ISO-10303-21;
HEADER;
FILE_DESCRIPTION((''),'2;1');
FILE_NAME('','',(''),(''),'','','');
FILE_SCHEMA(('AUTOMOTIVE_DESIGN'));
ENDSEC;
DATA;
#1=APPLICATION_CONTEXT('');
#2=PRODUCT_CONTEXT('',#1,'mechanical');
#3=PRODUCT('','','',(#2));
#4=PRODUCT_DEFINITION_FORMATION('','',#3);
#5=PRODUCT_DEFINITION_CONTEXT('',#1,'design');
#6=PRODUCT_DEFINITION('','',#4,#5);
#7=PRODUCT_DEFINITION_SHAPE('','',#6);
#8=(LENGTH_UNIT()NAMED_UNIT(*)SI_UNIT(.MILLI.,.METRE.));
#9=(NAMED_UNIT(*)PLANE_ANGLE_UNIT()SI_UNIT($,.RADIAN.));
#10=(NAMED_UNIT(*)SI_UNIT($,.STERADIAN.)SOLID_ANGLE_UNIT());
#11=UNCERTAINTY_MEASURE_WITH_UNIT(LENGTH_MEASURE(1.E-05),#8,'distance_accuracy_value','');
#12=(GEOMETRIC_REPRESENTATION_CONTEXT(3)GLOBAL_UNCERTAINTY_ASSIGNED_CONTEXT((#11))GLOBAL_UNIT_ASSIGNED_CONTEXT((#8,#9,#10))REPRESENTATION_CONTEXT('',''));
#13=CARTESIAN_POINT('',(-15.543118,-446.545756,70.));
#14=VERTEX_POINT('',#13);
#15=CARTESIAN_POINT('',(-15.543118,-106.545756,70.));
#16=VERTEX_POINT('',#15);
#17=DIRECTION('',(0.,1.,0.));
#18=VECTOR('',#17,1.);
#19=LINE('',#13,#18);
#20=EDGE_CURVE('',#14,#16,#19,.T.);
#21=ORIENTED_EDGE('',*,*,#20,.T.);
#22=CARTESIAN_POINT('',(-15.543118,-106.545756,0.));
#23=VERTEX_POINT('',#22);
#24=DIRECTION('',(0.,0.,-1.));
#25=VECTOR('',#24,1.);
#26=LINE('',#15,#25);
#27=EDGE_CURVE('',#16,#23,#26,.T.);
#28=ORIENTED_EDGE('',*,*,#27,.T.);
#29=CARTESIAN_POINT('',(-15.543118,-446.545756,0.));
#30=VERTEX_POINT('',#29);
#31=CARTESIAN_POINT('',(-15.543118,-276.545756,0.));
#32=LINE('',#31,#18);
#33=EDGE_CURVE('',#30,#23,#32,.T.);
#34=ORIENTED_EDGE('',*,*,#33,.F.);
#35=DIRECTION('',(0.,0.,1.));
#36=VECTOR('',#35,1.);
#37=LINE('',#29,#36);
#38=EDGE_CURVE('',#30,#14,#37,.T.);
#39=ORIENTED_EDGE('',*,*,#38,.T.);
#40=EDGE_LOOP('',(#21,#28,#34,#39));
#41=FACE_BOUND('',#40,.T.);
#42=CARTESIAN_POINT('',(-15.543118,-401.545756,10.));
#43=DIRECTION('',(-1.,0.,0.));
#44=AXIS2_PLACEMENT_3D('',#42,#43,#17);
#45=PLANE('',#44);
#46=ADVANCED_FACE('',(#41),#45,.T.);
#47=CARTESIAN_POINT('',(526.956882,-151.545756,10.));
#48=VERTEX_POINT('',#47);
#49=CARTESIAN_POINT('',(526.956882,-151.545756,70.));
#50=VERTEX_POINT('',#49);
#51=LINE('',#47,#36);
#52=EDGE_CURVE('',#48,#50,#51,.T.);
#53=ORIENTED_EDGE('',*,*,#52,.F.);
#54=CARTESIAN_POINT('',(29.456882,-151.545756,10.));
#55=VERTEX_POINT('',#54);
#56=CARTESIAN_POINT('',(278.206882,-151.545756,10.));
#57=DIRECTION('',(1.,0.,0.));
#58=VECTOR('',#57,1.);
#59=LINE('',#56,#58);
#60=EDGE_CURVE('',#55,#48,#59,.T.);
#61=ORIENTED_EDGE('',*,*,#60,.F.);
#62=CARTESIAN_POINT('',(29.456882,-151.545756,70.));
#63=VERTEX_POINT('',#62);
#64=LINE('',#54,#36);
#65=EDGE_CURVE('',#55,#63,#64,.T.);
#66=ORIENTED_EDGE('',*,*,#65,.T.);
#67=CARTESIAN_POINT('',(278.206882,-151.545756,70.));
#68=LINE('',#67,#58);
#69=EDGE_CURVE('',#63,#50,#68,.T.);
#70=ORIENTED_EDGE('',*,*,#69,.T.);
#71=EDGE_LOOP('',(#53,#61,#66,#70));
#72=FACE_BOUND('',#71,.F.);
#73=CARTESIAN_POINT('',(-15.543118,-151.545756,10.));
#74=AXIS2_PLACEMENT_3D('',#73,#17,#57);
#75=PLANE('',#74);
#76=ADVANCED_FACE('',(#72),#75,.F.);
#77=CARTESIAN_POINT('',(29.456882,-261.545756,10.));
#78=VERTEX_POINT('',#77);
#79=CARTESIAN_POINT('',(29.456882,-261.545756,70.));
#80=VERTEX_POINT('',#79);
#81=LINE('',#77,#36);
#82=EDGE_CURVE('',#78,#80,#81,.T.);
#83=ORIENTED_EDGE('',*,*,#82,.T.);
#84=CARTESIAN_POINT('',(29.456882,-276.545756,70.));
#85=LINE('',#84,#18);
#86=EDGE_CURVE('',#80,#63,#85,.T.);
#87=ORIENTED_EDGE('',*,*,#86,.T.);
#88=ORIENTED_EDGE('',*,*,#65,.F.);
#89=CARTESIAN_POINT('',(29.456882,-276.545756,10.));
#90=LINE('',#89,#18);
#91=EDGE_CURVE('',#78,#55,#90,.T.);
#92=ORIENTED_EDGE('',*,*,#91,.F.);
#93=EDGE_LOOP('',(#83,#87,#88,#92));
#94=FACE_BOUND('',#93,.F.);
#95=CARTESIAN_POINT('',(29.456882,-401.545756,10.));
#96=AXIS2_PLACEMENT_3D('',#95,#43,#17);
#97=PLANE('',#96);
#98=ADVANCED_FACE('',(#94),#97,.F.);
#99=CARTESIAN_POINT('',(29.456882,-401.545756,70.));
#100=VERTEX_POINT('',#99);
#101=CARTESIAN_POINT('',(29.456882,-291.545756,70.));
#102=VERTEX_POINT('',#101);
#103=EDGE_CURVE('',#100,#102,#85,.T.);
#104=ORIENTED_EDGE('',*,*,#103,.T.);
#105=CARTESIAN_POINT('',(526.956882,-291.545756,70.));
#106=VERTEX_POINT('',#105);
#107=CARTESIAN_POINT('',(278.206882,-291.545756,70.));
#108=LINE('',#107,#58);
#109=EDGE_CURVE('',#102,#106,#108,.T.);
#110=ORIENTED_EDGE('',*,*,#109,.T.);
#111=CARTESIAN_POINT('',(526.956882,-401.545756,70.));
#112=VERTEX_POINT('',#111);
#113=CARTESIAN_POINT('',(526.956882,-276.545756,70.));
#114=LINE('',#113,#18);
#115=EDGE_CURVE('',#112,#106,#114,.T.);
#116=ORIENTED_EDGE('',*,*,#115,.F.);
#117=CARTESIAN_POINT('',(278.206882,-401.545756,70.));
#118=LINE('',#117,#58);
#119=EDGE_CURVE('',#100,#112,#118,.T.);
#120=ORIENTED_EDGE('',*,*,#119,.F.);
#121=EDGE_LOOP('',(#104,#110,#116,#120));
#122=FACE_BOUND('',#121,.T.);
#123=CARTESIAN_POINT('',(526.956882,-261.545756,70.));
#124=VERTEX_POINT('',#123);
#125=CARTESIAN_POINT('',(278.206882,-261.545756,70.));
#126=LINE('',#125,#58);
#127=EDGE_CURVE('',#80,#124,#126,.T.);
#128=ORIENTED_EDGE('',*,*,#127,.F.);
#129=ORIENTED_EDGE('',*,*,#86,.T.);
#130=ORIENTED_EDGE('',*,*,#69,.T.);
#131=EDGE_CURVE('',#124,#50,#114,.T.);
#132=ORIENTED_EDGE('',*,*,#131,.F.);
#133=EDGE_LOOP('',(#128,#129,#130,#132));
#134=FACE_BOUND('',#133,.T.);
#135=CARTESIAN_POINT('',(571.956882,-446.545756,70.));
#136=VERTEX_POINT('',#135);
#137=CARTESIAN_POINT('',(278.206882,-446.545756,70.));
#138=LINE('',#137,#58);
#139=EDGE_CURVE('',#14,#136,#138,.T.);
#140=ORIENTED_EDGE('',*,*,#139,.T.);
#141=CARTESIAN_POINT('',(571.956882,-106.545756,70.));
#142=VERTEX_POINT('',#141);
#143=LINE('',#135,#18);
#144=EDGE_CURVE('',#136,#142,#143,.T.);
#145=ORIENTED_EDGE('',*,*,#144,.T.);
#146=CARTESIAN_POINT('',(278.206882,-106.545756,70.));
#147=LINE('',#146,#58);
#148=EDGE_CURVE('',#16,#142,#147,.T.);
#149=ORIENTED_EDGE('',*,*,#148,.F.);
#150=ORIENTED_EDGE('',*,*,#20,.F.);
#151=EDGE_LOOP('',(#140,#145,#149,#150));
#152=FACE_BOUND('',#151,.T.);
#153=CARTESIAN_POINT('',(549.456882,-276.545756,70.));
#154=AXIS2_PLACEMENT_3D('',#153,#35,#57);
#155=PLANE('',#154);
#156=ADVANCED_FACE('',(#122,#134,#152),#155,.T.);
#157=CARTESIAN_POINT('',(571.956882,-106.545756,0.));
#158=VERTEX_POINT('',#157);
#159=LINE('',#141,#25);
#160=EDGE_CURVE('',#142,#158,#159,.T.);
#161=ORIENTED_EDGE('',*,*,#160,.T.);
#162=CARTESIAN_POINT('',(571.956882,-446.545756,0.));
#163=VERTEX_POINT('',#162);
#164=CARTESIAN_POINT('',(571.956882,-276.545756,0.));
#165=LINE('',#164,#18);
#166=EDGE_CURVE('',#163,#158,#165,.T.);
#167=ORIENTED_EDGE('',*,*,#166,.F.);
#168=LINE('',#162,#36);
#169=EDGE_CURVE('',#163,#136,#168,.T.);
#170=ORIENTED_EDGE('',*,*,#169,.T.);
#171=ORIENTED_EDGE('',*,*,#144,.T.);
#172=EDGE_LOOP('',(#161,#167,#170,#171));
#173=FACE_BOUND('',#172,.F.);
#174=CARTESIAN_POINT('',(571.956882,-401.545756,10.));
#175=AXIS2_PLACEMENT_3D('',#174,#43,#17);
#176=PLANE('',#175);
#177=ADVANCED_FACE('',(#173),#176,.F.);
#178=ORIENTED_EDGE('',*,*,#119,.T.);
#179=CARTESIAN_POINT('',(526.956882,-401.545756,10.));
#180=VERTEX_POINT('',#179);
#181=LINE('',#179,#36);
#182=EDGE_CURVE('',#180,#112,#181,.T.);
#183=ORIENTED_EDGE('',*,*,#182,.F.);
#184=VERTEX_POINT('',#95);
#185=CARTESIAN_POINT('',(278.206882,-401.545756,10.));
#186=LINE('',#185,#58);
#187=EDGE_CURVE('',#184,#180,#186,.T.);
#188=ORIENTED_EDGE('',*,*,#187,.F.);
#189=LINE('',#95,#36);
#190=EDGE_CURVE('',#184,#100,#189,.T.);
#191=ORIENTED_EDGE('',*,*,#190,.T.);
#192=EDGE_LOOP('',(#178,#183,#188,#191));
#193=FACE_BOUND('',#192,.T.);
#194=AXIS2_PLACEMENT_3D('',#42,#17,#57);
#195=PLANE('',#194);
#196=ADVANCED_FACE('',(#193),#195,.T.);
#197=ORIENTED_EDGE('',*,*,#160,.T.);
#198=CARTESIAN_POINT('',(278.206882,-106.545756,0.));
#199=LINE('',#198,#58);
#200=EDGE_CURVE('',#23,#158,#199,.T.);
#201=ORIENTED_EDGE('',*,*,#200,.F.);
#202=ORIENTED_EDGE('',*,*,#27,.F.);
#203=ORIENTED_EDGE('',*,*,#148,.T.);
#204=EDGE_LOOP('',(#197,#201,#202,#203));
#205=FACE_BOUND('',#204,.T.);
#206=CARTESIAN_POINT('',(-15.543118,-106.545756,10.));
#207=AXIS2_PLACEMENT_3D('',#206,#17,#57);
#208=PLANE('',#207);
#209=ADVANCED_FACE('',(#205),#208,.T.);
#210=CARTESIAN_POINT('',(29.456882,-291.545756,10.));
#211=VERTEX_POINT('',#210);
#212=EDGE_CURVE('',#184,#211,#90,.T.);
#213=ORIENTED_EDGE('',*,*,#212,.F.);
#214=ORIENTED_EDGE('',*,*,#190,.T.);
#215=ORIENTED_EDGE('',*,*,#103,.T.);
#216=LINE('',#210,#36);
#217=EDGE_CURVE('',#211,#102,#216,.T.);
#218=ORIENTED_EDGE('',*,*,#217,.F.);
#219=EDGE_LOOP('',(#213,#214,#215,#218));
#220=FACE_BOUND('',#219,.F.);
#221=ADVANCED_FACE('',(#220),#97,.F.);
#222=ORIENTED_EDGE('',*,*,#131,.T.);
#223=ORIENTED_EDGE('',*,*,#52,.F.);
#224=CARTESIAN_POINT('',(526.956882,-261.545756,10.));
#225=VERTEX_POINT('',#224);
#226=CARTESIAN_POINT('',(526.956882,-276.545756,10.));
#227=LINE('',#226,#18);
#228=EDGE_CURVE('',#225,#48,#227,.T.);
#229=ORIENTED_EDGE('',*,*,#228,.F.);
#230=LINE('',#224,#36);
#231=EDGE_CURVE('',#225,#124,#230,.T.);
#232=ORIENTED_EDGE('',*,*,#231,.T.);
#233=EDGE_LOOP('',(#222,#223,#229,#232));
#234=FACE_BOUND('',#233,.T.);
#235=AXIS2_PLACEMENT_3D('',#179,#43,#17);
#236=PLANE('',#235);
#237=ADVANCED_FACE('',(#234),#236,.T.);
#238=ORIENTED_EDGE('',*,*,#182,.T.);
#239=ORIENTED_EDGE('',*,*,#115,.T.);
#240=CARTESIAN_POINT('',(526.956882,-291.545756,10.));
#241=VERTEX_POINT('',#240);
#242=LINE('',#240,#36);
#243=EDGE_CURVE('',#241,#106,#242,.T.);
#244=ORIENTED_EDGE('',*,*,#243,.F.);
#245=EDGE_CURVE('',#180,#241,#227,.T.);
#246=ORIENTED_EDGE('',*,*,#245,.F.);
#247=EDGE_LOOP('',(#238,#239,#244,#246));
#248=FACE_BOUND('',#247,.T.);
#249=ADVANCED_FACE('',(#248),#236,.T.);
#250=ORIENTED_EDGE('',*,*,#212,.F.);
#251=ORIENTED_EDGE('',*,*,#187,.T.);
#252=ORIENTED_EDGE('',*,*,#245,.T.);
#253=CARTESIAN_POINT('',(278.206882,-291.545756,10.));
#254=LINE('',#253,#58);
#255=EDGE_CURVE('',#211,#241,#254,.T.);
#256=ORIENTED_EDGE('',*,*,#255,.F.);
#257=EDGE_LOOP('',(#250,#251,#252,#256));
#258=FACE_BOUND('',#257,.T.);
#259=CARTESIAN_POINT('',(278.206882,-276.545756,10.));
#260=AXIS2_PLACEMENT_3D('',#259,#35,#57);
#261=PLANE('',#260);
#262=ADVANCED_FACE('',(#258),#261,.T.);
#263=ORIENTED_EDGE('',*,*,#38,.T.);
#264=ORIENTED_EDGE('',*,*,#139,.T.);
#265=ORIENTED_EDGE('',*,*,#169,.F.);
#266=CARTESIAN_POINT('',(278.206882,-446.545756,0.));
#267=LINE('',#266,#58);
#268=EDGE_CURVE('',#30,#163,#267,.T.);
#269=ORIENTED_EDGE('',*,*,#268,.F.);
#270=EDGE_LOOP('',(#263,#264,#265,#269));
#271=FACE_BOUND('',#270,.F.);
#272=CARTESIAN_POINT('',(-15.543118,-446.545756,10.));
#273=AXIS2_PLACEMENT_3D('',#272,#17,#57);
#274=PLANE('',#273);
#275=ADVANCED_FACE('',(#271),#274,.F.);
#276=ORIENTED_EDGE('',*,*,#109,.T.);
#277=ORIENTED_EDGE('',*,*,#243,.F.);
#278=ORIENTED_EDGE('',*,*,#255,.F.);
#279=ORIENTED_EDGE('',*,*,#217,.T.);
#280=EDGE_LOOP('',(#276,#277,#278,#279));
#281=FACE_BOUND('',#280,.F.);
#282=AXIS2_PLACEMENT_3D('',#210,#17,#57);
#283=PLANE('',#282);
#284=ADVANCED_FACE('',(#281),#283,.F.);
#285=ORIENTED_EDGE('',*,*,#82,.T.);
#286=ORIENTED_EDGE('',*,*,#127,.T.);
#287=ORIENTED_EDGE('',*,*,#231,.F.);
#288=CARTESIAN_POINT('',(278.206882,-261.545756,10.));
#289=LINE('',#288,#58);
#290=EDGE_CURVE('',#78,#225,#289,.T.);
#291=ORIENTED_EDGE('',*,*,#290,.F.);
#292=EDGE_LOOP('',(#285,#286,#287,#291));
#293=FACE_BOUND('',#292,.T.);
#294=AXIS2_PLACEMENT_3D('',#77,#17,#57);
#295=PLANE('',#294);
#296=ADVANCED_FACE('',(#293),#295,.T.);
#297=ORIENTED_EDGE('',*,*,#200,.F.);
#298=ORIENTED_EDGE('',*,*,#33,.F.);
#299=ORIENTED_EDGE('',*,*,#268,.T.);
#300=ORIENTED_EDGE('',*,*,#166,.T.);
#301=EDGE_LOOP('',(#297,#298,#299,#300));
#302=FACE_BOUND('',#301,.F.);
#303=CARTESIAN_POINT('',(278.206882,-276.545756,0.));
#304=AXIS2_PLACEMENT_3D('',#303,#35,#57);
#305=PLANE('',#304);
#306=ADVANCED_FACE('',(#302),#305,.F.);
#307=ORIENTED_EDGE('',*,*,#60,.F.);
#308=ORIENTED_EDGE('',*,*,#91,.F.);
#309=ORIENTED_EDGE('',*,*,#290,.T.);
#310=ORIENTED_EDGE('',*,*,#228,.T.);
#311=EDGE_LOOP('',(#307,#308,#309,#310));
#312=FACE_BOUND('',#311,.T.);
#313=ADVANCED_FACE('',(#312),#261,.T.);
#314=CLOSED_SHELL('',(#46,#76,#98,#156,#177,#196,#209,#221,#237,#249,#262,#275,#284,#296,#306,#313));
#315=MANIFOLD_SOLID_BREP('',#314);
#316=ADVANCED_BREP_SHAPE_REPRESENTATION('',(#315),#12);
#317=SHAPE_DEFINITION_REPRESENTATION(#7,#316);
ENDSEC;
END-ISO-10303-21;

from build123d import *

# Parameters (mm, degrees)
SKETCH_W     = 587.5
SKETCH_H     = 340
PAD_DEPTH    = 10
SKETCH001_W  = 587.5
SKETCH001_H  = 45
PAD001_DEPTH = 60
SKETCH002_W  = 587.5
SKETCH002_H  = 45
PAD002_DEPTH = 60
SKETCH003_W  = 45
SKETCH003_H  = 250
PAD003_DEPTH = 60
SKETCH004_W  = 45
SKETCH004_H  = 250
PAD004_DEPTH = 60
SKETCH005_W  = 497.5
SKETCH005_H  = 30
PAD005_DEPTH = 60


with BuildPart() as part:
    # Sketch → Pad (new body)
    with BuildSketch(Plane.XY):
        with Locations((278.206882, -276.545756)):
            Rectangle(SKETCH_W, SKETCH_H)
    extrude(amount=PAD_DEPTH)

    # Sketch001 (on Face6 of Pad) → Pad001 (join)
    with BuildSketch(Plane.XY.offset(10)):
        with Locations((278.206882, -129.045756)):
            Rectangle(SKETCH001_W, SKETCH001_H)
    extrude(amount=PAD001_DEPTH)

    # Sketch002 (on Face3 of Pad001) → Pad002 (join)
    with BuildSketch(Plane.XY.offset(10)):
        with Locations((278.206882, -424.045756)):
            Rectangle(SKETCH002_W, SKETCH002_H)
    extrude(amount=PAD002_DEPTH)

    # Sketch003 (on Face3 of Pad002) → Pad003 (join)
    with BuildSketch(Plane.XY.offset(10)):
        with Locations((6.956882, -276.545756)):
            Rectangle(SKETCH003_W, SKETCH003_H)
    extrude(amount=PAD003_DEPTH)

    # Sketch004 (on Face6 of Pad003) → Pad004 (join)
    with BuildSketch(Plane.XY.offset(10)):
        with Locations((549.456882, -276.545756)):
            Rectangle(SKETCH004_W, SKETCH004_H)
    extrude(amount=PAD004_DEPTH)

    # Sketch005 (on Face11 of Pad004) → Pad005 (join)
    with BuildSketch(Plane.XY.offset(10)):
        with Locations((278.206882, -276.545756)):
            Rectangle(SKETCH005_W, SKETCH005_H)
    extrude(amount=PAD005_DEPTH)


solid = part.part
